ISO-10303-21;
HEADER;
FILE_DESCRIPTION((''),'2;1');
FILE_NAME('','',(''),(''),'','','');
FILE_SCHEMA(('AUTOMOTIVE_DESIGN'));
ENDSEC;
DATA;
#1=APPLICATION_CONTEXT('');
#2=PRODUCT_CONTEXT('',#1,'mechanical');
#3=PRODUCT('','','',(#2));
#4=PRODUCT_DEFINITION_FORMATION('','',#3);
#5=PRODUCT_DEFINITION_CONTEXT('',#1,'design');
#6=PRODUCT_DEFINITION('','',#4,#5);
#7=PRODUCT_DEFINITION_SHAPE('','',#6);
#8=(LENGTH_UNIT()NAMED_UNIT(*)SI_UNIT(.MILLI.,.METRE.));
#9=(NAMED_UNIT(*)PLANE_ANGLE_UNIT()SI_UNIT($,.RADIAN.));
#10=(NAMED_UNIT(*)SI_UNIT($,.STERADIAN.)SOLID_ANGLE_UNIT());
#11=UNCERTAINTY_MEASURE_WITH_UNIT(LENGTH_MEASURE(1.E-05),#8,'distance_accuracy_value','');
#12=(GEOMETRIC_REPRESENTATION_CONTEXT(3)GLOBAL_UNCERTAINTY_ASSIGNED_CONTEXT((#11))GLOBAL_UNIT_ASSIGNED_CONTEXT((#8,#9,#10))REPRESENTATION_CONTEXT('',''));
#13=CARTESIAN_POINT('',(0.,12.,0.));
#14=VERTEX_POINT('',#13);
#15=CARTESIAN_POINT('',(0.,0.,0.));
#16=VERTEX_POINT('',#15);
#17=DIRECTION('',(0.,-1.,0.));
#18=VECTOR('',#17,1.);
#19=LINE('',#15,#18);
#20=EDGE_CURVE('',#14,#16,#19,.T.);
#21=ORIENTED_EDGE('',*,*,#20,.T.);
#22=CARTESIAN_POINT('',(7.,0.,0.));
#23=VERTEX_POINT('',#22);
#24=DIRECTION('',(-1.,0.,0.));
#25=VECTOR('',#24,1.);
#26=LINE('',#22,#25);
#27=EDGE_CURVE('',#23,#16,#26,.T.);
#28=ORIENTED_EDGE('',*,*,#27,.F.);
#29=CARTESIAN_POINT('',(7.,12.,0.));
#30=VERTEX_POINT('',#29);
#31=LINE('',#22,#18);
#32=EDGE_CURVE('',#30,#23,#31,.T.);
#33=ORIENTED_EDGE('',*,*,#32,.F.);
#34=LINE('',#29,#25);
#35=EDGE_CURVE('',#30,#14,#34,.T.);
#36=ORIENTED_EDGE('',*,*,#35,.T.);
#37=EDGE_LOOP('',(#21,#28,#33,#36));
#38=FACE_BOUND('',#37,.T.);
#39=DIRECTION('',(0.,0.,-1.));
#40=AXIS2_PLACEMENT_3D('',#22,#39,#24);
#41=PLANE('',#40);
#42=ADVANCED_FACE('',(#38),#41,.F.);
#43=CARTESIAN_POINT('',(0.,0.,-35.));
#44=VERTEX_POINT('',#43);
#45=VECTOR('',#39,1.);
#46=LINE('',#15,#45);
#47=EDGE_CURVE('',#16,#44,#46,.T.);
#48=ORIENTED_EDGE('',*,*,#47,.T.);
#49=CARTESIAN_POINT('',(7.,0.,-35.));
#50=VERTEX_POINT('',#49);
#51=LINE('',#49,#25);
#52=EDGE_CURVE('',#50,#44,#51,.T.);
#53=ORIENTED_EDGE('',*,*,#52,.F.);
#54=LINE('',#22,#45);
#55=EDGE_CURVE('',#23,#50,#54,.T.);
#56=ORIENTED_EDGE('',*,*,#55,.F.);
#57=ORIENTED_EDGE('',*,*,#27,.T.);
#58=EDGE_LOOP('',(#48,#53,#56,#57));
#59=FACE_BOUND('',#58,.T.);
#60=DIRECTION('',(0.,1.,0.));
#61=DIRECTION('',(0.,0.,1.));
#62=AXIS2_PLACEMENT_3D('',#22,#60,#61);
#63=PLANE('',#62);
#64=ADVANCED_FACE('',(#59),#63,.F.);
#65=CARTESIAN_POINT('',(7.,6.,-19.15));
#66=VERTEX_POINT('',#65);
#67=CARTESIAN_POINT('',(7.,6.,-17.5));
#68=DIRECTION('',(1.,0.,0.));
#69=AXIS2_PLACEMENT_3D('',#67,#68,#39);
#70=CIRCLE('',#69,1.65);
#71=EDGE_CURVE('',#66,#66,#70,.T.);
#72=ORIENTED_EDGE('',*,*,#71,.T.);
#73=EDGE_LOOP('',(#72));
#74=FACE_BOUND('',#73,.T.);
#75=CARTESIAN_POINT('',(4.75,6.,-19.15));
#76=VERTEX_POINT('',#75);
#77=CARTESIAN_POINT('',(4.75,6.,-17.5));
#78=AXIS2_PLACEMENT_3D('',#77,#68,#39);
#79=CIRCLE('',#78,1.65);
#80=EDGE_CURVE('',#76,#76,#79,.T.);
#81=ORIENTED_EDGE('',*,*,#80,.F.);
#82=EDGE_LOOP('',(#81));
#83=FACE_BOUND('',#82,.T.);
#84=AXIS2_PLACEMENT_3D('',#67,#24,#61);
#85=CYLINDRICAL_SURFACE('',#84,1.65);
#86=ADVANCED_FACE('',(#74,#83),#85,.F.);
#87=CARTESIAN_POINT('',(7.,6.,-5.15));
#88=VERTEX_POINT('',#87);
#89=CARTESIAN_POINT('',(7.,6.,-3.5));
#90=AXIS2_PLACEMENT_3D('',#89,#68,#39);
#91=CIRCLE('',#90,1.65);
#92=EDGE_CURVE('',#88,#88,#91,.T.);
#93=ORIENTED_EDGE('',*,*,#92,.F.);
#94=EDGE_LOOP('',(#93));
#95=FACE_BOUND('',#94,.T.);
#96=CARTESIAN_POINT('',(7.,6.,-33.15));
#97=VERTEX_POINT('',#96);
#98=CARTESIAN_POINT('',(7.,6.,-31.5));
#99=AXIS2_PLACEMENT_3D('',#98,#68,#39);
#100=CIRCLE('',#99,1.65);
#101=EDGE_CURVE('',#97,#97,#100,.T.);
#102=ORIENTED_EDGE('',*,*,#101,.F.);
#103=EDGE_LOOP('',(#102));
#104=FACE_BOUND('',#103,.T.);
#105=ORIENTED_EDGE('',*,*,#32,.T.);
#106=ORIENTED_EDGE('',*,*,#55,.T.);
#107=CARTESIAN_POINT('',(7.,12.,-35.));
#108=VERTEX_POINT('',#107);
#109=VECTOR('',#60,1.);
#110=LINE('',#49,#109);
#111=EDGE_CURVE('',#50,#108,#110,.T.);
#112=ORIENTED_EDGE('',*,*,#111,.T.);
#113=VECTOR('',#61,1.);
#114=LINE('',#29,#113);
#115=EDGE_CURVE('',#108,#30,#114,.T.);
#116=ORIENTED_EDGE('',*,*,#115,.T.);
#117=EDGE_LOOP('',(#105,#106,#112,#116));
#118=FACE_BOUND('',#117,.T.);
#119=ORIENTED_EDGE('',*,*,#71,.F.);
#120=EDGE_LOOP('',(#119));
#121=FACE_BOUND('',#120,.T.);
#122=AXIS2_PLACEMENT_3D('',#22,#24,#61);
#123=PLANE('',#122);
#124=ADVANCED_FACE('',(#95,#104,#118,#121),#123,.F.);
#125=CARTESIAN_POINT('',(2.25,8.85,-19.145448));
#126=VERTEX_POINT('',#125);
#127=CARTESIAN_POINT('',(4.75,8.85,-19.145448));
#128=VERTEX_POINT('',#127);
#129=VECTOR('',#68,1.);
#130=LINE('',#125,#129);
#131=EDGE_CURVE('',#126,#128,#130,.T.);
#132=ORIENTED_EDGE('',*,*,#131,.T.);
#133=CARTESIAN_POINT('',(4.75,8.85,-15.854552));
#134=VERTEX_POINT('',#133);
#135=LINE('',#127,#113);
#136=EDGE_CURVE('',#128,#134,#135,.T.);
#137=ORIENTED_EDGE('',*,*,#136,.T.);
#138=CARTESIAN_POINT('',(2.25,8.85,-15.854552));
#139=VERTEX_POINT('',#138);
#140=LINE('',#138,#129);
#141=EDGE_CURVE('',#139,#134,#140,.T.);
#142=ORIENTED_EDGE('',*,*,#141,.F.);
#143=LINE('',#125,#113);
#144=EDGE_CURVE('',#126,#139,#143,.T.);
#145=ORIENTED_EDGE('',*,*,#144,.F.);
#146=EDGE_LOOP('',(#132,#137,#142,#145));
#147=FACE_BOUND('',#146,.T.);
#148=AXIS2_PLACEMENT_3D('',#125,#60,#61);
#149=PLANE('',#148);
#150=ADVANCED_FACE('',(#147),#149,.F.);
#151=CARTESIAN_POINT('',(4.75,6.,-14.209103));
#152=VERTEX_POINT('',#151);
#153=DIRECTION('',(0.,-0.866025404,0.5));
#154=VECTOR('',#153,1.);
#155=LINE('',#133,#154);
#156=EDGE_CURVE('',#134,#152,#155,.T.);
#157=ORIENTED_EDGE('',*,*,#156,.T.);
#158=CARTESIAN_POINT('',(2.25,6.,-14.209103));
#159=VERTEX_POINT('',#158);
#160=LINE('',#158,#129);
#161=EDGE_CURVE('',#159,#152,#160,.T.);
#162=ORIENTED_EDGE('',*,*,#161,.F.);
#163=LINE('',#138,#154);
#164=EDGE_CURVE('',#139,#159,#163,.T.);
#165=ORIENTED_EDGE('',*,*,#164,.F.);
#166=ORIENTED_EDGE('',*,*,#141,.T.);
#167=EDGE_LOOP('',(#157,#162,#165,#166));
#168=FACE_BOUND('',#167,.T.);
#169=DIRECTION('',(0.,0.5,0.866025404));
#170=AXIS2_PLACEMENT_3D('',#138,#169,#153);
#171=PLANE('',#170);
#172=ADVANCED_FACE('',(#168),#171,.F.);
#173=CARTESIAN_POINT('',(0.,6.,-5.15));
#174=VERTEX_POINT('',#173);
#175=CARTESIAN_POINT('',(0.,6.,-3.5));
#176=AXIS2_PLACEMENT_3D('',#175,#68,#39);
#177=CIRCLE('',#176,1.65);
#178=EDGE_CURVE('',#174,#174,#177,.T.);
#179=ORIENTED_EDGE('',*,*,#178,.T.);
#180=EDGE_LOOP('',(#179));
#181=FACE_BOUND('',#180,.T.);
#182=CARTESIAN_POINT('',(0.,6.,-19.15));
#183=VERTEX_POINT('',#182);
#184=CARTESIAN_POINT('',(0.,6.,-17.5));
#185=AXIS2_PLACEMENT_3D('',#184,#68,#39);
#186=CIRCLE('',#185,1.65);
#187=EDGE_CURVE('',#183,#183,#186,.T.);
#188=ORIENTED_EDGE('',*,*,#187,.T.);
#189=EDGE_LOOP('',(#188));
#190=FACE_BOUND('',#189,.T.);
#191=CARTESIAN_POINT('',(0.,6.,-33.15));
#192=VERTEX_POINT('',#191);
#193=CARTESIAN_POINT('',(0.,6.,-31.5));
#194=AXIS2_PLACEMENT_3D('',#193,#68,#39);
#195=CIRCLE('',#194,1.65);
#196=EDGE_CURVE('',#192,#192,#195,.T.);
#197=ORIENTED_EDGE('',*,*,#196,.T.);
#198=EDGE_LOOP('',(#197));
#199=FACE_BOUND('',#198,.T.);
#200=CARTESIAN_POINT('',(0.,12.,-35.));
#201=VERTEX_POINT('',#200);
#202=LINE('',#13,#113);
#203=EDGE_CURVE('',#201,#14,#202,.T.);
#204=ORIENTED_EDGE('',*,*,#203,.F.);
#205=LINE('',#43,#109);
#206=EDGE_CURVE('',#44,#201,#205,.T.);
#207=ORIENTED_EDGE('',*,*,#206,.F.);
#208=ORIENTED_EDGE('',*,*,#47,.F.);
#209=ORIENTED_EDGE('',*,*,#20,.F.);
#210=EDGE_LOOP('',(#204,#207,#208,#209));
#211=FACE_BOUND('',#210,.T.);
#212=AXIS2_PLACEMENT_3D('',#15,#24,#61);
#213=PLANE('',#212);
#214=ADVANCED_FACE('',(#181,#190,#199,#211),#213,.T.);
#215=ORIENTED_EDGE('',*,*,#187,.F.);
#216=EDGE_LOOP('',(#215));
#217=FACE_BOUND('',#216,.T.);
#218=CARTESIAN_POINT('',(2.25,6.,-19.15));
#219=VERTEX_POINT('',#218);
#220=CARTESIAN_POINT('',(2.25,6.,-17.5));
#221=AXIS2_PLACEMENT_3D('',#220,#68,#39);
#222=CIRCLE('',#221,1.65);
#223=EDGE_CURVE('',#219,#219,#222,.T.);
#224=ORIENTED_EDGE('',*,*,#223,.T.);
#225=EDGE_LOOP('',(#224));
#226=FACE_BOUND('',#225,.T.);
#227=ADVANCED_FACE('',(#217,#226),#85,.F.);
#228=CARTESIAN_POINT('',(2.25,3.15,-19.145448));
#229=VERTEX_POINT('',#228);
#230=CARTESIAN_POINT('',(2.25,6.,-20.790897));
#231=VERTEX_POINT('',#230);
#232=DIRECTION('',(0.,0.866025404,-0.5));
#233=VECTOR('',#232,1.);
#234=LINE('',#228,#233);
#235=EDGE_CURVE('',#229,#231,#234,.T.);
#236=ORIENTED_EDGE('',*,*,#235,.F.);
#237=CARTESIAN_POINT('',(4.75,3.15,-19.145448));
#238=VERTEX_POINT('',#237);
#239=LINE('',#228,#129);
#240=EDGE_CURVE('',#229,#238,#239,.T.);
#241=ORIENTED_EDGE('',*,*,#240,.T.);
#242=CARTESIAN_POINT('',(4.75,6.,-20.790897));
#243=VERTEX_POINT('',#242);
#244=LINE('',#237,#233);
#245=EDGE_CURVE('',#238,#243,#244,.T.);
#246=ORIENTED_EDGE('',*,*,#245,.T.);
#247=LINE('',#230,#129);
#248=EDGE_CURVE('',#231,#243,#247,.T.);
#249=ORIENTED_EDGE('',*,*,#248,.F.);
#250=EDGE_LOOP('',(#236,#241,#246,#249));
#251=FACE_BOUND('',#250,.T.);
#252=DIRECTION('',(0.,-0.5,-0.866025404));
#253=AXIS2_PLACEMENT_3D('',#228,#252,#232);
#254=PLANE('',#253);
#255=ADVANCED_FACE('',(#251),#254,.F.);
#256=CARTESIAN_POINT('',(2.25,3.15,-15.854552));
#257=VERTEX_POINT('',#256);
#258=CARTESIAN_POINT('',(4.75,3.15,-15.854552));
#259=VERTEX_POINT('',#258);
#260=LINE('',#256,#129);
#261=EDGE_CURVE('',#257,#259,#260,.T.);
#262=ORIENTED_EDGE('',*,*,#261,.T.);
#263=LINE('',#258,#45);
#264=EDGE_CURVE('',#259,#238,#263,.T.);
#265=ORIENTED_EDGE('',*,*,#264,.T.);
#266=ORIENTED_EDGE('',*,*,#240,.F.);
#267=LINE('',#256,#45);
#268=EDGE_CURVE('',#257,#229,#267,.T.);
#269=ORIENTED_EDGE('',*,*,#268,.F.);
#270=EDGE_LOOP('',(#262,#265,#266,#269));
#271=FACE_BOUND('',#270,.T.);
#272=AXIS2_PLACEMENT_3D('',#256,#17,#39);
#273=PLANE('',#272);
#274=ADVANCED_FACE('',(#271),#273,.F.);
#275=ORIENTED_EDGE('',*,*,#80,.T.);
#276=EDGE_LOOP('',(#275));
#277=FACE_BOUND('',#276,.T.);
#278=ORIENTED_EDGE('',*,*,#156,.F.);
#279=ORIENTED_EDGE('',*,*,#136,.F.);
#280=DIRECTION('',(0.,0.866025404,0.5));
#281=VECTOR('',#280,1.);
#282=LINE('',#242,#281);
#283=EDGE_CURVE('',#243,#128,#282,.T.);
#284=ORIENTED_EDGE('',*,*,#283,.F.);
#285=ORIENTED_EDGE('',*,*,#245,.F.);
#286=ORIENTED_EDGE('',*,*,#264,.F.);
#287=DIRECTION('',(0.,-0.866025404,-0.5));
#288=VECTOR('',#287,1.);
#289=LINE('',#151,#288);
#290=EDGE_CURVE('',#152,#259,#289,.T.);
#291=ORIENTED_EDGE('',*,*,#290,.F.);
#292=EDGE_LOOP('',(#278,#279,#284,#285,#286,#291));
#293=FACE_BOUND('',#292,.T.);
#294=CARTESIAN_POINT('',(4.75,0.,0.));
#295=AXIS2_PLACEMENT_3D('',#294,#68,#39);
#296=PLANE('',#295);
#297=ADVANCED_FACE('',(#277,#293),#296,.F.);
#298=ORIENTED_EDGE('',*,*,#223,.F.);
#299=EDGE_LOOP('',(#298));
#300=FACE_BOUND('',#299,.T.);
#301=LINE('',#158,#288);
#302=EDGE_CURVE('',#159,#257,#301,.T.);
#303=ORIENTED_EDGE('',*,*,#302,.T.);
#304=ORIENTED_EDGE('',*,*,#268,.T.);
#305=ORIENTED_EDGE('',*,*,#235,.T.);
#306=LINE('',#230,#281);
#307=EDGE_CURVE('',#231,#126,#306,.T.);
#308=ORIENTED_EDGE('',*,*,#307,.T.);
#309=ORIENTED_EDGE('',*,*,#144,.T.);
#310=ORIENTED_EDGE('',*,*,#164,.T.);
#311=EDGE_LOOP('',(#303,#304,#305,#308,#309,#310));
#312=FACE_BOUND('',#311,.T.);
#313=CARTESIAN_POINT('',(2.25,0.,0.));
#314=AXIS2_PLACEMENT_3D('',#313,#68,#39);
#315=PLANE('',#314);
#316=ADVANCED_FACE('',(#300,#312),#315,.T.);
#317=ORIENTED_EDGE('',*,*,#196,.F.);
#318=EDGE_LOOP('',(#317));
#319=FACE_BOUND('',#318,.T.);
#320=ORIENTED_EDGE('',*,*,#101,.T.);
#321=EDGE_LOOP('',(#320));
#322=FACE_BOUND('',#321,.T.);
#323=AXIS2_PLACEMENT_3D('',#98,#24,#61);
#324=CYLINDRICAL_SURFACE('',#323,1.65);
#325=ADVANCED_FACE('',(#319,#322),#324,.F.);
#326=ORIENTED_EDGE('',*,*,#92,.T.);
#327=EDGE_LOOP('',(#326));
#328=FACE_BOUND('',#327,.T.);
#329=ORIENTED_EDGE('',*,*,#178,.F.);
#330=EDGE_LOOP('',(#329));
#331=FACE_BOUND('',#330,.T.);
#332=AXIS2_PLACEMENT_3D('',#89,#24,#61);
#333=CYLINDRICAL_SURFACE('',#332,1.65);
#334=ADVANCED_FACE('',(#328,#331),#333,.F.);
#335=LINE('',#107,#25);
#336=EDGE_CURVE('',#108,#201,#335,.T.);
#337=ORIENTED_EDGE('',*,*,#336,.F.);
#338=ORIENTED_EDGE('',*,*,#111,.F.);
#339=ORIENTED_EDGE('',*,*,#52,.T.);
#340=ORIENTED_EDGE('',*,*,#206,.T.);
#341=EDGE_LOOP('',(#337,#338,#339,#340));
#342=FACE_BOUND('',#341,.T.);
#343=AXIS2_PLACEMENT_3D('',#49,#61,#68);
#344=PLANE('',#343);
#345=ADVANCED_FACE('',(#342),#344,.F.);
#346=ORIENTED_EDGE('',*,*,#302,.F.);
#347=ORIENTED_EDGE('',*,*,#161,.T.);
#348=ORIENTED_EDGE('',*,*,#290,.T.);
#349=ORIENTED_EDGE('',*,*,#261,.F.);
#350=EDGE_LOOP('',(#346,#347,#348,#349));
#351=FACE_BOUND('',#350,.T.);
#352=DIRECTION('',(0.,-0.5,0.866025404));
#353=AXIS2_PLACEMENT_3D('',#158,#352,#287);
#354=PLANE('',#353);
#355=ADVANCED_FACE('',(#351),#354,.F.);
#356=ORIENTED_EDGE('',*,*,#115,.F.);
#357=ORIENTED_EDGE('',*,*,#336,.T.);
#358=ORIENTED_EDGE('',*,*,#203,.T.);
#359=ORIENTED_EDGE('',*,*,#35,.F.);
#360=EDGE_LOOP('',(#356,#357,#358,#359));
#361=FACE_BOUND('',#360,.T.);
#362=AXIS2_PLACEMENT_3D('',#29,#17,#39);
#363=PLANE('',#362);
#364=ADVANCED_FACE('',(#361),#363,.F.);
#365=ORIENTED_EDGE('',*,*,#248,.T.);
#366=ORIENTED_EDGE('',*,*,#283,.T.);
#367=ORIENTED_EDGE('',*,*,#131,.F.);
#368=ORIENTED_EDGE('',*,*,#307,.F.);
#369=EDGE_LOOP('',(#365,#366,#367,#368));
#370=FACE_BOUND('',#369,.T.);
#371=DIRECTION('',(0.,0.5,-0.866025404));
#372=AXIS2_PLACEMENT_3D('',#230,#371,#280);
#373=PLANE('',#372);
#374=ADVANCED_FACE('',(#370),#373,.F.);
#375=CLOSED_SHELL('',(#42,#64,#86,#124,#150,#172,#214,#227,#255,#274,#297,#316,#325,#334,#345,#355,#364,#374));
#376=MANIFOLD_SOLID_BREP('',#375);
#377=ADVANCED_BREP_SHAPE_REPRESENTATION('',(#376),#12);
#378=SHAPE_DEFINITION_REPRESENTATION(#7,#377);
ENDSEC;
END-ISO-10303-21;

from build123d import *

# Parameters (mm, degrees)
SKETCH1_W           = 35
SKETCH1_H           = 12
SKETCH1_R           = 1.65
BOSS_EXTRUDE1_DEPTH = 7
CUT_EXTRUDE1_START  = -2.25
CUT_EXTRUDE1_DEPTH  = 2.5


with BuildPart() as part:
    # Sketch1 → Boss-Extrude1 (new body)
    with BuildSketch(Plane(origin=(0, 0, 0), x_dir=(0, 0, -1), z_dir=(1, 0, 0))):
        with Locations((17.5, 6)):
            Rectangle(SKETCH1_W, SKETCH1_H)
        with Locations((3.5, 6)):
            Circle(SKETCH1_R, mode=Mode.SUBTRACT)
        with Locations((31.5, 6)):
            Circle(SKETCH1_R, mode=Mode.SUBTRACT)
        with Locations((17.5, 6)):
            Circle(SKETCH1_R, mode=Mode.SUBTRACT)
    extrude(amount=BOSS_EXTRUDE1_DEPTH)

    # Sketch2 → Cut-Extrude1 (cut)
    with BuildSketch(Plane(origin=(7, 0, 0), x_dir=(0, 0, -1), z_dir=(1, 0, 0)).offset(CUT_EXTRUDE1_START)):
        Polygon((20.790896534, 6), (19.145448267, 8.85), (15.854551733, 8.85), (14.209103466, 6), (15.854551733, 3.15), (19.145448267, 3.15), align=None)
    extrude(amount=-CUT_EXTRUDE1_DEPTH, mode=Mode.SUBTRACT)


solid = part.part
